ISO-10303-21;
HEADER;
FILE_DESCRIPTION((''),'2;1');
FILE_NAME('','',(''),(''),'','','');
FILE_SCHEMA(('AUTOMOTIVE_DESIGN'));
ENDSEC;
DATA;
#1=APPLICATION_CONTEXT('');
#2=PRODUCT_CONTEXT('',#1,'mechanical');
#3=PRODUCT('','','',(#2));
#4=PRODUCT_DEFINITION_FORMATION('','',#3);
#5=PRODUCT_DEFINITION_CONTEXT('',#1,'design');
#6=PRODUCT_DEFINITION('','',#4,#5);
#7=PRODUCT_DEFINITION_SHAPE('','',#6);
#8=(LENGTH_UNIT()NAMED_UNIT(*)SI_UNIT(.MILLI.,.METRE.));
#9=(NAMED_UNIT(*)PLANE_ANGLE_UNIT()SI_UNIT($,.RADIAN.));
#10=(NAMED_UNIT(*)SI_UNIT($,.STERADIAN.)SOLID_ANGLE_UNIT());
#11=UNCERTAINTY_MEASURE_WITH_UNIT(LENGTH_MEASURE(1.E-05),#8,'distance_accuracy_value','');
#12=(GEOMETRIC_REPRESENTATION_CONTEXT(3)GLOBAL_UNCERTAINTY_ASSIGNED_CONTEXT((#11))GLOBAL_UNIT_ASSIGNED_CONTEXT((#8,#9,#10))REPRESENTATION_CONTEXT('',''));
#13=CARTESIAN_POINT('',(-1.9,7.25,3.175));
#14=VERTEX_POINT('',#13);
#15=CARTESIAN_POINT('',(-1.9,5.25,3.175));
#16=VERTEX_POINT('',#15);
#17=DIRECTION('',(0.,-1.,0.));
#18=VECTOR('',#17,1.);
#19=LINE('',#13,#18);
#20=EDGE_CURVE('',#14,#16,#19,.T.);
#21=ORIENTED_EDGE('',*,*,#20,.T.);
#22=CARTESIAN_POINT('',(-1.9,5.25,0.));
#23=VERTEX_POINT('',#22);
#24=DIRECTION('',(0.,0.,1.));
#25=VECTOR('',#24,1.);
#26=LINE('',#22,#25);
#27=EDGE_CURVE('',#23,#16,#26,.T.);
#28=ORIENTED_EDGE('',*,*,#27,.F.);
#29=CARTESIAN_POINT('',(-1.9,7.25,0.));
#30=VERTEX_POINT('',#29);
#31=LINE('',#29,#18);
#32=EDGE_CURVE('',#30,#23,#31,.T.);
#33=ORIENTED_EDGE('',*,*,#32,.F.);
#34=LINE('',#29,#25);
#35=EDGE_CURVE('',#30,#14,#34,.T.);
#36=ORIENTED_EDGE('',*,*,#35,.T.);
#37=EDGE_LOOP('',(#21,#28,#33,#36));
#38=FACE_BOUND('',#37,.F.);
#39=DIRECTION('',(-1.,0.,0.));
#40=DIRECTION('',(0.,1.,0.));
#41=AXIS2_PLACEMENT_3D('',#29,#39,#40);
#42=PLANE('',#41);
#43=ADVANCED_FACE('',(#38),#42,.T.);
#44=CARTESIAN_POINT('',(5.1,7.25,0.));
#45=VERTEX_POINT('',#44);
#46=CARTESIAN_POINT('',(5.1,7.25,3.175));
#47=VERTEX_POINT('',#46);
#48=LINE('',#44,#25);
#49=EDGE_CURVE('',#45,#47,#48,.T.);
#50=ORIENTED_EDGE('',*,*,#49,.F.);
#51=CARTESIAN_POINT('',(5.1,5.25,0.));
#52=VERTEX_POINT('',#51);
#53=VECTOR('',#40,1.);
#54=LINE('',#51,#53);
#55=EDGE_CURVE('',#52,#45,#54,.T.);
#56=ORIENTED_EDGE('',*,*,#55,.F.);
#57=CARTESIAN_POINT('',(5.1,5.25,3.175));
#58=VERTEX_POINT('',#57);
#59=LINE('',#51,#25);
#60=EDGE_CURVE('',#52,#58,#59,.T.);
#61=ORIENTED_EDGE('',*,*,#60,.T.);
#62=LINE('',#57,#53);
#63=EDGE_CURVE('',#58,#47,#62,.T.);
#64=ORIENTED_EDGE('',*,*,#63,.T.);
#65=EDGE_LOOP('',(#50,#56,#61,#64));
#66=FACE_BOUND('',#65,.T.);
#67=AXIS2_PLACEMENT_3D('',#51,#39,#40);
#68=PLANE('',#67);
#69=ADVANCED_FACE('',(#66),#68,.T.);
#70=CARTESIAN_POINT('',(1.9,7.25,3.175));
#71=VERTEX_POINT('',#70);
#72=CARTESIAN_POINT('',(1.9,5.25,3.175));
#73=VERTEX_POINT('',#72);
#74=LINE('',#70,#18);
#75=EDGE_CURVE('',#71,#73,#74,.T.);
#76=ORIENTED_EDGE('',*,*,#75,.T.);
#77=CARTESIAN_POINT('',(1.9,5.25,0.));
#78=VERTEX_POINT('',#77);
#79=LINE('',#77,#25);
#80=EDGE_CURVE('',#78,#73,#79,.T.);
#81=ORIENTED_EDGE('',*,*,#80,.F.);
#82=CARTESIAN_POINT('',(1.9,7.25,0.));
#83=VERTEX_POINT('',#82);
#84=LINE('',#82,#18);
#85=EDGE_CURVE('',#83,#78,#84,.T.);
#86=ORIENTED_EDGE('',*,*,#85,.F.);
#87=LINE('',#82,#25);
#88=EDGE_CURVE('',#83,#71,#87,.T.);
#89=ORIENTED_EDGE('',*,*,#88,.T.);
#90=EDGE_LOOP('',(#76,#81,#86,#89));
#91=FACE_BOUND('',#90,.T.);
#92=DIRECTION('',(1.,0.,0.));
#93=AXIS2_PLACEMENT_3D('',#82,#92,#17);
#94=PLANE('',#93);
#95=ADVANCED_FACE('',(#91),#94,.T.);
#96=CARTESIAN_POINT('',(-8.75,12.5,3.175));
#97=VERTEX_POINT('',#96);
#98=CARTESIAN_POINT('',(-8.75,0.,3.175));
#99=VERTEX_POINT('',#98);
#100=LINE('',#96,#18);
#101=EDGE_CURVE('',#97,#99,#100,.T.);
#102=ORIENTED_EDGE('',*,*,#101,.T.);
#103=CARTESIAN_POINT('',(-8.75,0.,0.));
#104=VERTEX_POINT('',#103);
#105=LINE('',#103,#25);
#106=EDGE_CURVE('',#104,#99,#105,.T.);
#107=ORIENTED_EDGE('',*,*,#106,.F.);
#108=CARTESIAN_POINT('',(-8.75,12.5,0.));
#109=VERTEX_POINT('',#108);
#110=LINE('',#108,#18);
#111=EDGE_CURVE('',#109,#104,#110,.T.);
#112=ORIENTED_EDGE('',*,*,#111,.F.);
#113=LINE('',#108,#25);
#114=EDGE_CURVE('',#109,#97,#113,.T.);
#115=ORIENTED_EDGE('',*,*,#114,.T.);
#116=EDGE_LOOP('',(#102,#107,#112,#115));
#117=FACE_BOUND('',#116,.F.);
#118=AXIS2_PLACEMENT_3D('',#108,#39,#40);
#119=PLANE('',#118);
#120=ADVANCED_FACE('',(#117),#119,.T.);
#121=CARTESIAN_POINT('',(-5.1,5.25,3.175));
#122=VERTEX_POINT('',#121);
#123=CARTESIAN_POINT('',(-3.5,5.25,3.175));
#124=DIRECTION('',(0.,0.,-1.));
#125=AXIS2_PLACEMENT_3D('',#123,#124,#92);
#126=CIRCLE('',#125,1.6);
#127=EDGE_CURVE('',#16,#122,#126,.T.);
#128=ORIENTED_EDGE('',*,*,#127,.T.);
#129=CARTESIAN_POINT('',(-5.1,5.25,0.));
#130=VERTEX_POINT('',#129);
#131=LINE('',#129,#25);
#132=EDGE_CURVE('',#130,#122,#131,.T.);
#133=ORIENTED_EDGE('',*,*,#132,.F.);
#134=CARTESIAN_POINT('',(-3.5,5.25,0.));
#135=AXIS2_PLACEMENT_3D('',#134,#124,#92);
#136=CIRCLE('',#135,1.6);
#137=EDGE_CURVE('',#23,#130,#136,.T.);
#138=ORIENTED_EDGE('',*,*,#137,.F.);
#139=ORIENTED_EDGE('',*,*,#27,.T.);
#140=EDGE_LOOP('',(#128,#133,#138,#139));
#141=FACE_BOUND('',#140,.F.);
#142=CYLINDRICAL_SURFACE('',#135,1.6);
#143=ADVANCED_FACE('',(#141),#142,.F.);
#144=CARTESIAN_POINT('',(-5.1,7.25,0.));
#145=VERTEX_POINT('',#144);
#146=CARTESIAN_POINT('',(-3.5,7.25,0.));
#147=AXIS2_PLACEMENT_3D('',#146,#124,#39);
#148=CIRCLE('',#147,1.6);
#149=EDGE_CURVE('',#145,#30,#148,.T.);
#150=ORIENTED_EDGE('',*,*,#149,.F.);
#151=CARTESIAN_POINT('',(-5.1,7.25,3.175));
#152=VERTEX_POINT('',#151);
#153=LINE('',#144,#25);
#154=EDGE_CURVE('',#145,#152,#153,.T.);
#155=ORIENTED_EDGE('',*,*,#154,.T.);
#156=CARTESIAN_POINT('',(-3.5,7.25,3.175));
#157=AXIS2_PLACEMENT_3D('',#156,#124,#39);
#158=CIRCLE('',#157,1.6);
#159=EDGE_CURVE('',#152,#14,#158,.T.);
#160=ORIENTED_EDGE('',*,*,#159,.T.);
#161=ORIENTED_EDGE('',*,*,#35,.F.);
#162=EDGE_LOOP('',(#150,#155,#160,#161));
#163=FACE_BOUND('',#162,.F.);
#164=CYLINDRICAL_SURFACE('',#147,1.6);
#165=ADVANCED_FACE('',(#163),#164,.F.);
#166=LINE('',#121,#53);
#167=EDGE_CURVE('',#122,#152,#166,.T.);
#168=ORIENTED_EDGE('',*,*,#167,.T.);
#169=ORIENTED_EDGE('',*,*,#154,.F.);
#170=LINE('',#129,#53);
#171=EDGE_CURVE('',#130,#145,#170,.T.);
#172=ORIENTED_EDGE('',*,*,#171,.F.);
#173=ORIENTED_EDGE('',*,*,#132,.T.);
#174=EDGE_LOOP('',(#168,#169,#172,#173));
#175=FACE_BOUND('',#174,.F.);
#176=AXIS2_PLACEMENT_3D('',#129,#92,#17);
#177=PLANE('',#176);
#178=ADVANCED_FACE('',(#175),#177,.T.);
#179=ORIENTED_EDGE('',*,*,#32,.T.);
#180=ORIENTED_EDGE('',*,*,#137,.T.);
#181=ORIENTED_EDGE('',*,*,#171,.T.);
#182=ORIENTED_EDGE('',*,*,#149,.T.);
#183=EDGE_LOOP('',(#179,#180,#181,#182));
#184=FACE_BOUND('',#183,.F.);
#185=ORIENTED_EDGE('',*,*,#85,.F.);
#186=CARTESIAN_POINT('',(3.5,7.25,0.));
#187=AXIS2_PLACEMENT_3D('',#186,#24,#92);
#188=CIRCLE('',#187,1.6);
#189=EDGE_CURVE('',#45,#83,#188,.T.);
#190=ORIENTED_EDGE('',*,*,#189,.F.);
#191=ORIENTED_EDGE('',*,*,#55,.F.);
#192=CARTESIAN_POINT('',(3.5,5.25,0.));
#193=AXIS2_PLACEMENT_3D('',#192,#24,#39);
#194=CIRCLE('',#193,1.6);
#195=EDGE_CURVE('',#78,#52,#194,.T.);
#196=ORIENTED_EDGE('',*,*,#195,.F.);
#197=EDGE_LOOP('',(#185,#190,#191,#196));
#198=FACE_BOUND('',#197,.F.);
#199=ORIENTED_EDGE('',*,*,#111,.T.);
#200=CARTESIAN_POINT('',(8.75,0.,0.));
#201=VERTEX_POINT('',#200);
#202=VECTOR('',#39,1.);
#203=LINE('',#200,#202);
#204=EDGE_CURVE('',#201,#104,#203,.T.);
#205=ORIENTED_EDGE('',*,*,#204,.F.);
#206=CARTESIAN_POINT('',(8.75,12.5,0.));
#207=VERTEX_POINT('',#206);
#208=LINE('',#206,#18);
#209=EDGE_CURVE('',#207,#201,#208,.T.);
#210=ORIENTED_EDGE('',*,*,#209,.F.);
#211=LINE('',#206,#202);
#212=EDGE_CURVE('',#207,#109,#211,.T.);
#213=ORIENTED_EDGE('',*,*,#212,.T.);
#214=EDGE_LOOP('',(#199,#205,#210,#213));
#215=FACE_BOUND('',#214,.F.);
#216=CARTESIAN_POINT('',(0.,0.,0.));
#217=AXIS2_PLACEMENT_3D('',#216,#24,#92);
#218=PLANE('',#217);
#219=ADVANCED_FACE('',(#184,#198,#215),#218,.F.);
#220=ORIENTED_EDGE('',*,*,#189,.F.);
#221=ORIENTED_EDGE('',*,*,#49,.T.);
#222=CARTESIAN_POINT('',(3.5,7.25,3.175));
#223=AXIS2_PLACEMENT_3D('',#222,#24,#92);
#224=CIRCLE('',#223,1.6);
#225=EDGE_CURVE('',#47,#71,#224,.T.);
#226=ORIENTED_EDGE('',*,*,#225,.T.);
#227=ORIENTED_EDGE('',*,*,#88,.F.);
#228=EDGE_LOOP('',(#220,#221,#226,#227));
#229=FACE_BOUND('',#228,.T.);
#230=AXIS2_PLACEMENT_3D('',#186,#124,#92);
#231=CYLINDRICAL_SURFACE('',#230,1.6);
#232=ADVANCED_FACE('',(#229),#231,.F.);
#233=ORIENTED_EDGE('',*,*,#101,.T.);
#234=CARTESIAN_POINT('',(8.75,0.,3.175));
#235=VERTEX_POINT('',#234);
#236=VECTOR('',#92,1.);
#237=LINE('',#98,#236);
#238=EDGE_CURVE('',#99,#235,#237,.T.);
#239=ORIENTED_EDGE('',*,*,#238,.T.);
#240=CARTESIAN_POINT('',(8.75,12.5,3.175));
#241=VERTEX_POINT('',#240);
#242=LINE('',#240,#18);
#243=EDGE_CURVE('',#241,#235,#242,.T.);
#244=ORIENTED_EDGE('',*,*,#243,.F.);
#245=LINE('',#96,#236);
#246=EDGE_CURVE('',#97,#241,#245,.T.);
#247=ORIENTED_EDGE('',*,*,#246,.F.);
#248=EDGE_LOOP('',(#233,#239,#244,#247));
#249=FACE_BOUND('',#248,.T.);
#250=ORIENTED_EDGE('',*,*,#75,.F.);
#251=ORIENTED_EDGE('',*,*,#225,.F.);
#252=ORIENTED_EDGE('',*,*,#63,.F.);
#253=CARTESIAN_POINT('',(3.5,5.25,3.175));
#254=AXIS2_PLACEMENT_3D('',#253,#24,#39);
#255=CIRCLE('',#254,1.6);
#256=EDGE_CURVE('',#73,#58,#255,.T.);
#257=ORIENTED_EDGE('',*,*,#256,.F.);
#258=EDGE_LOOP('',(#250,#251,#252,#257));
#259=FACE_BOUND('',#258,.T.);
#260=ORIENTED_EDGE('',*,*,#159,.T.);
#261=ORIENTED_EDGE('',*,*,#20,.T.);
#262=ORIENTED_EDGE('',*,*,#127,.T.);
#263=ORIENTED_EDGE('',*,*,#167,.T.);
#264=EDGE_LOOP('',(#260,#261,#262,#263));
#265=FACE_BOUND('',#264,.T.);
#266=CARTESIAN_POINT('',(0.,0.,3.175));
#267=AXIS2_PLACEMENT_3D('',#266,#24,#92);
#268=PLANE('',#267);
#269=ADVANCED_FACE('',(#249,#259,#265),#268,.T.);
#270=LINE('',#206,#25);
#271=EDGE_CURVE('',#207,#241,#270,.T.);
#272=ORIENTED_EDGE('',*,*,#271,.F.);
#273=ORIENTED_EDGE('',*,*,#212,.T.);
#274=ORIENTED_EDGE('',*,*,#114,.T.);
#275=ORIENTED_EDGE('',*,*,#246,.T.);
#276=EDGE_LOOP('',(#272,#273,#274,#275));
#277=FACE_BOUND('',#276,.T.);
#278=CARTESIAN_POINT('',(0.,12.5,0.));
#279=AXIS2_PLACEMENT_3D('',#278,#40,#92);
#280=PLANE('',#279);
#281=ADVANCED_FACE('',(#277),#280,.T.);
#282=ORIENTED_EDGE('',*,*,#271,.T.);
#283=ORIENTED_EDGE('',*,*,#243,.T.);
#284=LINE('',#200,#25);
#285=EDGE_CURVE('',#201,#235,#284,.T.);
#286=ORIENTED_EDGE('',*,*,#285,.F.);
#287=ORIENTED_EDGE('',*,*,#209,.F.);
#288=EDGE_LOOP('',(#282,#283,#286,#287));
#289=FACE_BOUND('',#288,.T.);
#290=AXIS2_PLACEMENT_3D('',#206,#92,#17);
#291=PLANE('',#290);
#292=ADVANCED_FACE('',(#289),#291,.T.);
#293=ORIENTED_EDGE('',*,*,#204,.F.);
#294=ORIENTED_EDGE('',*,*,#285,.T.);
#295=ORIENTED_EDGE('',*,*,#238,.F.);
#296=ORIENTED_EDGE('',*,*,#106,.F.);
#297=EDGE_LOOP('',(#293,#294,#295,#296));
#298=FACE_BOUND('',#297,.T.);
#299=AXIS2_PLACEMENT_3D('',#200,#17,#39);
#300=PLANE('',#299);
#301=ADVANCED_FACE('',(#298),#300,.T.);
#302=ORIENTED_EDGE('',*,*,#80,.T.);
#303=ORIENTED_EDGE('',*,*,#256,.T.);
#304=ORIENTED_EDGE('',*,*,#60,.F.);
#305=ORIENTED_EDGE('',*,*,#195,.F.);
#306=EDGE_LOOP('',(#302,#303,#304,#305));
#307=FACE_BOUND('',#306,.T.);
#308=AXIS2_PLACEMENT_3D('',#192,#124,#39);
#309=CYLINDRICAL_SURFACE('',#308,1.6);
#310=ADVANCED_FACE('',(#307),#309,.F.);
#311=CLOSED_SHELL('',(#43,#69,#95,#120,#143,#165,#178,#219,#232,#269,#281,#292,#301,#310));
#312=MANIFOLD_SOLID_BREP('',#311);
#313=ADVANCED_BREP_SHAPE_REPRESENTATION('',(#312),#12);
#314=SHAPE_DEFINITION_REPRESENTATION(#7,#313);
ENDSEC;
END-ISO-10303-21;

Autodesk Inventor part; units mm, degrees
ref_plane "YZ Plane" through (0, 0, 0) normal (1, 0, 0) x (0, 1, 0)
ref_plane "XZ Plane" through (0, 0, 0) normal (0, 1, 0) x (-1, 0, 0)
ref_plane "XY Plane" through (0, 0, 0) normal (0, 0, 1) x (1, 0, 0)
sketch "Sketch1" plane through (0, 0, 0) normal (0, 0, 1) x (1, 0, 0)
  line L0 (0, 0) -> (0, 12.5)
  line L1 (0, 12.5) -> (8.75, 12.5)
  line L2 (8.75, 12.5) -> (8.75, 0)
  line L3 (8.75, 0) -> (0, 0)
  line L4 (3.5, 7.25) -> (3.5, 5.25) construction
  line L5 (1.9, 7.25) -> (1.9, 5.25)
  line L6 (5.1, 5.25) -> (5.1, 7.25)
  arc A0 (5.1, 7.25) -> (1.9, 7.25) centre (3.5, 7.25) ccw
  arc A1 (1.9, 5.25) -> (5.1, 5.25) centre (3.5, 5.25) ccw
  point P0 (3.5, 6.25)
  dimension "d13" = 3.2
  dimension "d14" = 2
  dimension "d15" = 6.25
  dimension "d17" = 12.5
  dimension "d18" = 8.75
  dimension "d19" = 3.5
extrude "Extrusion1" add sketch "Sketch1" along normal blind 3.175
mirror "Mirror1" about plane through (0, 12.5, 0) normal (-1, 0, 0) of "Extrusion1"
equation "\"d15\" = 0.5 * d17"
equation "\"d8\" = THICKA"
equation "\"THICKA\" = 3.175"
equation "\"THICKB\" = 6.731"
equation "\"THICKC\" = 12.7"
equation "\"MAGDIA\" = 9.5"
equation "\"BALLDIA\" = 12"
properties part number "Air2D_Hinge_Top"
